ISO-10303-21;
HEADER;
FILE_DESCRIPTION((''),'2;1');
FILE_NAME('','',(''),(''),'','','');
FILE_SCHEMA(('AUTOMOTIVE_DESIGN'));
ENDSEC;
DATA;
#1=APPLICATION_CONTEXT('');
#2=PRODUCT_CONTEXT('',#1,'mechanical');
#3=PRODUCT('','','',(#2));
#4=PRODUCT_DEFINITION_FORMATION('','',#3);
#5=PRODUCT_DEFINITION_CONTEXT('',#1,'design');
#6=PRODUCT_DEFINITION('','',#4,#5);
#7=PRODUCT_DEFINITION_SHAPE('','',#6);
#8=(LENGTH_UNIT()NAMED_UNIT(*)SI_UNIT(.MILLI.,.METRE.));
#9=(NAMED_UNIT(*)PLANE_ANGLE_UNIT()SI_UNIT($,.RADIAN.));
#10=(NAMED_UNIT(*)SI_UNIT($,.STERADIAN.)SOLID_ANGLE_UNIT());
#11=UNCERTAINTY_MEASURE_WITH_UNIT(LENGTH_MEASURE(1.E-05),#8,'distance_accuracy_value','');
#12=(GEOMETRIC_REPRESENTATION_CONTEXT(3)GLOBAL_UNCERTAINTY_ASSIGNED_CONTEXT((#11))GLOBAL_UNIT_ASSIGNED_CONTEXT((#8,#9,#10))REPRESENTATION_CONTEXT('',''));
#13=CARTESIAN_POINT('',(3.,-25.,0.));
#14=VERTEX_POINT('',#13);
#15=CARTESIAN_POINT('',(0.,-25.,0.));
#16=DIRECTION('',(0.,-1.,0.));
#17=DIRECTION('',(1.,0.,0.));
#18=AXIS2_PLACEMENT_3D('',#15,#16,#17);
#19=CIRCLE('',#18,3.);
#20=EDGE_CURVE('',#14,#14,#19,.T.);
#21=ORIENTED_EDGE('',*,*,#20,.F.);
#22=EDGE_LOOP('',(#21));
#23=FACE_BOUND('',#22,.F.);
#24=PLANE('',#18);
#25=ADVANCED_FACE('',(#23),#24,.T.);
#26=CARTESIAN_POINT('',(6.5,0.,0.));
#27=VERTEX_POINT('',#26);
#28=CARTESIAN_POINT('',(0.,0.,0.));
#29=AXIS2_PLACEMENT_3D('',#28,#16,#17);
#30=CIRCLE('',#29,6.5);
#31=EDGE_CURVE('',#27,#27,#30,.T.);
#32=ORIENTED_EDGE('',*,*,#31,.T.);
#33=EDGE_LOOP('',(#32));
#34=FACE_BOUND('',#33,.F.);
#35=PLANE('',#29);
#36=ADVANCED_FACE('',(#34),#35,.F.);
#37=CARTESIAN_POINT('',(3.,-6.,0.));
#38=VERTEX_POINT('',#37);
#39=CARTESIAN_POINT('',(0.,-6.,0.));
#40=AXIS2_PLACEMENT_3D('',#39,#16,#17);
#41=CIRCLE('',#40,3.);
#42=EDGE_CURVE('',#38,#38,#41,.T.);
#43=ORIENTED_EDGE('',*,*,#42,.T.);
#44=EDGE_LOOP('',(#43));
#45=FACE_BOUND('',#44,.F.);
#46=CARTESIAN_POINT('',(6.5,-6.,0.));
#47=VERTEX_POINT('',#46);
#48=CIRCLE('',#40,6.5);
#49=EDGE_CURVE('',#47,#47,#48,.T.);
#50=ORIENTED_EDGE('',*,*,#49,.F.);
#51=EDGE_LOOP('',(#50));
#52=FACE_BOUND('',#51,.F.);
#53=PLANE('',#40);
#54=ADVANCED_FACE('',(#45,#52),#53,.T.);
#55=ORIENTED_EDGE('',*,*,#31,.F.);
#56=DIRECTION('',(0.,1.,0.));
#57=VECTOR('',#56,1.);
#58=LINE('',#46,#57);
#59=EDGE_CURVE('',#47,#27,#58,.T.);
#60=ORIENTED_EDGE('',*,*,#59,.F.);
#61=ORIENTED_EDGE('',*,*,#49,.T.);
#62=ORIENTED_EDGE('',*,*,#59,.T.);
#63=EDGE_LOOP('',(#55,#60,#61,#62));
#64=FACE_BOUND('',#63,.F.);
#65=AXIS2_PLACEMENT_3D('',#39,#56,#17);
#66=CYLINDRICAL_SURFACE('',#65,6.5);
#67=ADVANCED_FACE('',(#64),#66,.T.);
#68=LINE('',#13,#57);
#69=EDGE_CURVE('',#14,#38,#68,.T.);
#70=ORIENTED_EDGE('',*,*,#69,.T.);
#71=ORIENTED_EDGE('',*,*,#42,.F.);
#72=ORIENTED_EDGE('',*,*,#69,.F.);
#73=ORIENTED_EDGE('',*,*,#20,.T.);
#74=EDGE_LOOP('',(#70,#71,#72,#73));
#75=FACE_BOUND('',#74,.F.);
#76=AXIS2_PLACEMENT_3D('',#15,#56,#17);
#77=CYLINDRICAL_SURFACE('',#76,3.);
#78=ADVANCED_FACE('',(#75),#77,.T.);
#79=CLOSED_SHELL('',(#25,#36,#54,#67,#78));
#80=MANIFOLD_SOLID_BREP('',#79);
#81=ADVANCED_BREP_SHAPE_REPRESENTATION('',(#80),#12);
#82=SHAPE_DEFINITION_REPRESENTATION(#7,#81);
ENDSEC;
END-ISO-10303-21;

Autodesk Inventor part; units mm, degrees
ref_plane "YZ Plane" through (0, 0, 0) normal (1, 0, 0) x (0, 1, 0)
ref_plane "XZ Plane" through (0, 0, 0) normal (0, 1, 0) x (-1, 0, 0)
ref_plane "XY Plane" through (0, 0, 0) normal (0, 0, 1) x (1, 0, 0)
sketch "Sketch1" plane through (0, 0, 0) normal (0, 0, 1) x (1, 0, 0)
  line L0 (0, 0) -> (0, -25)
  line L1 (0, -25) -> (3, -25)
  line L2 (3, -25) -> (3, -6)
  line L3 (3, -6) -> (6.5, -6)
  line L4 (6.5, -6) -> (6.5, 0)
  line L5 (6.5, 0) -> (0, 0)
  dimension "d0" = 19
  dimension "d1" = 6
  dimension "d2" = 6.5
  dimension "d3" = 3
revolve "Revolution1" add sketch "Sketch1" angle 360 about axis through (0, 0, 0) along (0, -1, 0)
properties part number "HeightScrew"
